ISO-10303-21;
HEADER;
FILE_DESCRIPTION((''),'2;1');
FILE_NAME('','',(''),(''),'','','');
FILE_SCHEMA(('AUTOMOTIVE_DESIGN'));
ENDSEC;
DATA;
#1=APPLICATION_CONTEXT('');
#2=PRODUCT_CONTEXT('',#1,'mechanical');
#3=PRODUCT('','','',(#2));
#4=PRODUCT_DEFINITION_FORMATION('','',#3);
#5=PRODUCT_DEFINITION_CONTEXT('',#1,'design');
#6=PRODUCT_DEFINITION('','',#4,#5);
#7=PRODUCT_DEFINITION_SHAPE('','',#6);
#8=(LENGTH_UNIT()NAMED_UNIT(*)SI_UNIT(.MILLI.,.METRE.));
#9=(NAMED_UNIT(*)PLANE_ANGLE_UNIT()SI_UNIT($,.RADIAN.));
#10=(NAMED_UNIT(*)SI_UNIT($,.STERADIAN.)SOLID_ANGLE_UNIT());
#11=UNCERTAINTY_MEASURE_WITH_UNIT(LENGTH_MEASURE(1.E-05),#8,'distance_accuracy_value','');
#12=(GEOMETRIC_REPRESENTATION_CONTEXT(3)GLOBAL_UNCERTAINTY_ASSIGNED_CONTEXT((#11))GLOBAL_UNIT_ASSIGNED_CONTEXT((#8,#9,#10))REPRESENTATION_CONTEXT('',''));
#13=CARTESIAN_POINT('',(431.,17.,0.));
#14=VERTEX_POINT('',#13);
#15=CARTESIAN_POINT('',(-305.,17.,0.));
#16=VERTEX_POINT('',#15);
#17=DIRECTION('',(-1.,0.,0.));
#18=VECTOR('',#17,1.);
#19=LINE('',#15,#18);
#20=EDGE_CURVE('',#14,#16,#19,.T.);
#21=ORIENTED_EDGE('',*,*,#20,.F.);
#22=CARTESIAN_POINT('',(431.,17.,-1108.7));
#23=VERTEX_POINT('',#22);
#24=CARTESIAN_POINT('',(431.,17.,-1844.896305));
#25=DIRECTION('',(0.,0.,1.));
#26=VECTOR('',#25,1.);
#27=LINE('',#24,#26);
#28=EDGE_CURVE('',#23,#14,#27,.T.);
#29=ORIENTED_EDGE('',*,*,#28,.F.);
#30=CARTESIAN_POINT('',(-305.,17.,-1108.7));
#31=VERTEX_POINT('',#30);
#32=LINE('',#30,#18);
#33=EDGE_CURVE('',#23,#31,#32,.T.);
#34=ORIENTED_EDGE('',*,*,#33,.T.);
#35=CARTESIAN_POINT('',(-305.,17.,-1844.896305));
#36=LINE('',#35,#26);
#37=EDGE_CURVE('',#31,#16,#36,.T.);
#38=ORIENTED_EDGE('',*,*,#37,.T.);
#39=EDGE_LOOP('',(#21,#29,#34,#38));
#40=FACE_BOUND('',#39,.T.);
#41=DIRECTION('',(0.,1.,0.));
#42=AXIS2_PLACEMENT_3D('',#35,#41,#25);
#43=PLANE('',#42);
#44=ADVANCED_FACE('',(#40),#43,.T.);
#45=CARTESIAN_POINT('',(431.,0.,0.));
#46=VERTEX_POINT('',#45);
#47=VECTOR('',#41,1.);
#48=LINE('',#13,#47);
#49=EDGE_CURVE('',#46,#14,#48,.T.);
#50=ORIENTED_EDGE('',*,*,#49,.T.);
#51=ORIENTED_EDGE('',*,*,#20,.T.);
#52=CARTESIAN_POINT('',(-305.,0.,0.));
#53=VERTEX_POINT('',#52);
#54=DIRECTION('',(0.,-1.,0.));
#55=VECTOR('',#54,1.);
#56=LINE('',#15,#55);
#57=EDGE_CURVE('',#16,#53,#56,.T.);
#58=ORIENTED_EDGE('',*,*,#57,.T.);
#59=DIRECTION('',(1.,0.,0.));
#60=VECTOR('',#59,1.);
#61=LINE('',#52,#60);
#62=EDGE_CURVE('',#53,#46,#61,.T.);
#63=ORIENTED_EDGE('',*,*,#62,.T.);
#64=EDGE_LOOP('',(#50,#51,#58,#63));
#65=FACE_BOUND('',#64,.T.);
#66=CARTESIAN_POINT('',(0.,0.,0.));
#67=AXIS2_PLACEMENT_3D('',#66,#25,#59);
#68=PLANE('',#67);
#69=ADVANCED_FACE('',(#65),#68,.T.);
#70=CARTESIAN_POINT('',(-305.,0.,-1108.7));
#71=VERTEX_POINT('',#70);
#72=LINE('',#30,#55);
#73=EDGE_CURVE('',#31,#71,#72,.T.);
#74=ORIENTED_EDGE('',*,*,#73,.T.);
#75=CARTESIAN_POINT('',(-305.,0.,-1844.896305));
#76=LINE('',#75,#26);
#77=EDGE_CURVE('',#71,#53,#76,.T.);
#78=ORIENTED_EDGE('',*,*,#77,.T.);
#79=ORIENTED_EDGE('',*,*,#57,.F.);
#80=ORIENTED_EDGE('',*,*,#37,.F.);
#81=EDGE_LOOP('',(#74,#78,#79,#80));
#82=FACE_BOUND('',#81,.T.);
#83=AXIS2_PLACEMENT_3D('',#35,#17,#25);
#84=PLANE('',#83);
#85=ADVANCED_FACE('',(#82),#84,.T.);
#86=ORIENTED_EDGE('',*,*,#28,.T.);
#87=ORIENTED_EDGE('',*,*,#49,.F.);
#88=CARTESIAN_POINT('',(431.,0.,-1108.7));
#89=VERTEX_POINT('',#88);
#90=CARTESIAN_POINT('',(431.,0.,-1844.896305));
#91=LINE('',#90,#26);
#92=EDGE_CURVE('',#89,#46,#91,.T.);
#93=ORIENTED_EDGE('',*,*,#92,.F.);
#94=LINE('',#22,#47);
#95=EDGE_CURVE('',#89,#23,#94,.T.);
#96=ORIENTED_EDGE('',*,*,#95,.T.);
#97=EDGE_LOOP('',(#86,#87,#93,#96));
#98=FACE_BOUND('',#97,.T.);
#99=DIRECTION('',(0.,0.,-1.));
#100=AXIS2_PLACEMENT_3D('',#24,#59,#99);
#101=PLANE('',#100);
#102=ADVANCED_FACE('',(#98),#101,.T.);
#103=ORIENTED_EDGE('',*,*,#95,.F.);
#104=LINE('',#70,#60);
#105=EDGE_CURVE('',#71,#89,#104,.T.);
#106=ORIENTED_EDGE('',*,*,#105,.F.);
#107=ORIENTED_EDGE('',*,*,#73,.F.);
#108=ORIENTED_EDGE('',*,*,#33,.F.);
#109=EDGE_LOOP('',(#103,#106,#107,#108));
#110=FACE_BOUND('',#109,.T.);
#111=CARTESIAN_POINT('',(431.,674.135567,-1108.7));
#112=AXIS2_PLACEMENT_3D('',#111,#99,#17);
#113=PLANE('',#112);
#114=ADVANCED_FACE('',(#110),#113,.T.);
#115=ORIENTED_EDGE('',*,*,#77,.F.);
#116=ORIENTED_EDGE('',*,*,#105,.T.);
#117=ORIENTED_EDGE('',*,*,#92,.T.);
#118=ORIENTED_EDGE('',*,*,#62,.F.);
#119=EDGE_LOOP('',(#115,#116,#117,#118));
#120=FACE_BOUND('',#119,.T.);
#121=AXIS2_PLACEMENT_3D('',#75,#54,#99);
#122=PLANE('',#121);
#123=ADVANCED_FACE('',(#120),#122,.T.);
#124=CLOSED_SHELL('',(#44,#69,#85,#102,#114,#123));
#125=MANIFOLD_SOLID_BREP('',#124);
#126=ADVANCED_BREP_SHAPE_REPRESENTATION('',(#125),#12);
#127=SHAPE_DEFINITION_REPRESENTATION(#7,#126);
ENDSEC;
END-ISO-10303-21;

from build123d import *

# Parameters (mm, degrees)
SKETCH1_W           = 736
SKETCH1_H           = 17
BOSS_EXTRUDE1_DEPTH = 1108.7


with BuildPart() as part:
    # Sketch1 → Boss-Extrude1 (new body)
    with BuildSketch(Plane.XY):
        with Locations((63, 8.5)):
            Rectangle(SKETCH1_W, SKETCH1_H)
    extrude(amount=-BOSS_EXTRUDE1_DEPTH)


solid = part.part
